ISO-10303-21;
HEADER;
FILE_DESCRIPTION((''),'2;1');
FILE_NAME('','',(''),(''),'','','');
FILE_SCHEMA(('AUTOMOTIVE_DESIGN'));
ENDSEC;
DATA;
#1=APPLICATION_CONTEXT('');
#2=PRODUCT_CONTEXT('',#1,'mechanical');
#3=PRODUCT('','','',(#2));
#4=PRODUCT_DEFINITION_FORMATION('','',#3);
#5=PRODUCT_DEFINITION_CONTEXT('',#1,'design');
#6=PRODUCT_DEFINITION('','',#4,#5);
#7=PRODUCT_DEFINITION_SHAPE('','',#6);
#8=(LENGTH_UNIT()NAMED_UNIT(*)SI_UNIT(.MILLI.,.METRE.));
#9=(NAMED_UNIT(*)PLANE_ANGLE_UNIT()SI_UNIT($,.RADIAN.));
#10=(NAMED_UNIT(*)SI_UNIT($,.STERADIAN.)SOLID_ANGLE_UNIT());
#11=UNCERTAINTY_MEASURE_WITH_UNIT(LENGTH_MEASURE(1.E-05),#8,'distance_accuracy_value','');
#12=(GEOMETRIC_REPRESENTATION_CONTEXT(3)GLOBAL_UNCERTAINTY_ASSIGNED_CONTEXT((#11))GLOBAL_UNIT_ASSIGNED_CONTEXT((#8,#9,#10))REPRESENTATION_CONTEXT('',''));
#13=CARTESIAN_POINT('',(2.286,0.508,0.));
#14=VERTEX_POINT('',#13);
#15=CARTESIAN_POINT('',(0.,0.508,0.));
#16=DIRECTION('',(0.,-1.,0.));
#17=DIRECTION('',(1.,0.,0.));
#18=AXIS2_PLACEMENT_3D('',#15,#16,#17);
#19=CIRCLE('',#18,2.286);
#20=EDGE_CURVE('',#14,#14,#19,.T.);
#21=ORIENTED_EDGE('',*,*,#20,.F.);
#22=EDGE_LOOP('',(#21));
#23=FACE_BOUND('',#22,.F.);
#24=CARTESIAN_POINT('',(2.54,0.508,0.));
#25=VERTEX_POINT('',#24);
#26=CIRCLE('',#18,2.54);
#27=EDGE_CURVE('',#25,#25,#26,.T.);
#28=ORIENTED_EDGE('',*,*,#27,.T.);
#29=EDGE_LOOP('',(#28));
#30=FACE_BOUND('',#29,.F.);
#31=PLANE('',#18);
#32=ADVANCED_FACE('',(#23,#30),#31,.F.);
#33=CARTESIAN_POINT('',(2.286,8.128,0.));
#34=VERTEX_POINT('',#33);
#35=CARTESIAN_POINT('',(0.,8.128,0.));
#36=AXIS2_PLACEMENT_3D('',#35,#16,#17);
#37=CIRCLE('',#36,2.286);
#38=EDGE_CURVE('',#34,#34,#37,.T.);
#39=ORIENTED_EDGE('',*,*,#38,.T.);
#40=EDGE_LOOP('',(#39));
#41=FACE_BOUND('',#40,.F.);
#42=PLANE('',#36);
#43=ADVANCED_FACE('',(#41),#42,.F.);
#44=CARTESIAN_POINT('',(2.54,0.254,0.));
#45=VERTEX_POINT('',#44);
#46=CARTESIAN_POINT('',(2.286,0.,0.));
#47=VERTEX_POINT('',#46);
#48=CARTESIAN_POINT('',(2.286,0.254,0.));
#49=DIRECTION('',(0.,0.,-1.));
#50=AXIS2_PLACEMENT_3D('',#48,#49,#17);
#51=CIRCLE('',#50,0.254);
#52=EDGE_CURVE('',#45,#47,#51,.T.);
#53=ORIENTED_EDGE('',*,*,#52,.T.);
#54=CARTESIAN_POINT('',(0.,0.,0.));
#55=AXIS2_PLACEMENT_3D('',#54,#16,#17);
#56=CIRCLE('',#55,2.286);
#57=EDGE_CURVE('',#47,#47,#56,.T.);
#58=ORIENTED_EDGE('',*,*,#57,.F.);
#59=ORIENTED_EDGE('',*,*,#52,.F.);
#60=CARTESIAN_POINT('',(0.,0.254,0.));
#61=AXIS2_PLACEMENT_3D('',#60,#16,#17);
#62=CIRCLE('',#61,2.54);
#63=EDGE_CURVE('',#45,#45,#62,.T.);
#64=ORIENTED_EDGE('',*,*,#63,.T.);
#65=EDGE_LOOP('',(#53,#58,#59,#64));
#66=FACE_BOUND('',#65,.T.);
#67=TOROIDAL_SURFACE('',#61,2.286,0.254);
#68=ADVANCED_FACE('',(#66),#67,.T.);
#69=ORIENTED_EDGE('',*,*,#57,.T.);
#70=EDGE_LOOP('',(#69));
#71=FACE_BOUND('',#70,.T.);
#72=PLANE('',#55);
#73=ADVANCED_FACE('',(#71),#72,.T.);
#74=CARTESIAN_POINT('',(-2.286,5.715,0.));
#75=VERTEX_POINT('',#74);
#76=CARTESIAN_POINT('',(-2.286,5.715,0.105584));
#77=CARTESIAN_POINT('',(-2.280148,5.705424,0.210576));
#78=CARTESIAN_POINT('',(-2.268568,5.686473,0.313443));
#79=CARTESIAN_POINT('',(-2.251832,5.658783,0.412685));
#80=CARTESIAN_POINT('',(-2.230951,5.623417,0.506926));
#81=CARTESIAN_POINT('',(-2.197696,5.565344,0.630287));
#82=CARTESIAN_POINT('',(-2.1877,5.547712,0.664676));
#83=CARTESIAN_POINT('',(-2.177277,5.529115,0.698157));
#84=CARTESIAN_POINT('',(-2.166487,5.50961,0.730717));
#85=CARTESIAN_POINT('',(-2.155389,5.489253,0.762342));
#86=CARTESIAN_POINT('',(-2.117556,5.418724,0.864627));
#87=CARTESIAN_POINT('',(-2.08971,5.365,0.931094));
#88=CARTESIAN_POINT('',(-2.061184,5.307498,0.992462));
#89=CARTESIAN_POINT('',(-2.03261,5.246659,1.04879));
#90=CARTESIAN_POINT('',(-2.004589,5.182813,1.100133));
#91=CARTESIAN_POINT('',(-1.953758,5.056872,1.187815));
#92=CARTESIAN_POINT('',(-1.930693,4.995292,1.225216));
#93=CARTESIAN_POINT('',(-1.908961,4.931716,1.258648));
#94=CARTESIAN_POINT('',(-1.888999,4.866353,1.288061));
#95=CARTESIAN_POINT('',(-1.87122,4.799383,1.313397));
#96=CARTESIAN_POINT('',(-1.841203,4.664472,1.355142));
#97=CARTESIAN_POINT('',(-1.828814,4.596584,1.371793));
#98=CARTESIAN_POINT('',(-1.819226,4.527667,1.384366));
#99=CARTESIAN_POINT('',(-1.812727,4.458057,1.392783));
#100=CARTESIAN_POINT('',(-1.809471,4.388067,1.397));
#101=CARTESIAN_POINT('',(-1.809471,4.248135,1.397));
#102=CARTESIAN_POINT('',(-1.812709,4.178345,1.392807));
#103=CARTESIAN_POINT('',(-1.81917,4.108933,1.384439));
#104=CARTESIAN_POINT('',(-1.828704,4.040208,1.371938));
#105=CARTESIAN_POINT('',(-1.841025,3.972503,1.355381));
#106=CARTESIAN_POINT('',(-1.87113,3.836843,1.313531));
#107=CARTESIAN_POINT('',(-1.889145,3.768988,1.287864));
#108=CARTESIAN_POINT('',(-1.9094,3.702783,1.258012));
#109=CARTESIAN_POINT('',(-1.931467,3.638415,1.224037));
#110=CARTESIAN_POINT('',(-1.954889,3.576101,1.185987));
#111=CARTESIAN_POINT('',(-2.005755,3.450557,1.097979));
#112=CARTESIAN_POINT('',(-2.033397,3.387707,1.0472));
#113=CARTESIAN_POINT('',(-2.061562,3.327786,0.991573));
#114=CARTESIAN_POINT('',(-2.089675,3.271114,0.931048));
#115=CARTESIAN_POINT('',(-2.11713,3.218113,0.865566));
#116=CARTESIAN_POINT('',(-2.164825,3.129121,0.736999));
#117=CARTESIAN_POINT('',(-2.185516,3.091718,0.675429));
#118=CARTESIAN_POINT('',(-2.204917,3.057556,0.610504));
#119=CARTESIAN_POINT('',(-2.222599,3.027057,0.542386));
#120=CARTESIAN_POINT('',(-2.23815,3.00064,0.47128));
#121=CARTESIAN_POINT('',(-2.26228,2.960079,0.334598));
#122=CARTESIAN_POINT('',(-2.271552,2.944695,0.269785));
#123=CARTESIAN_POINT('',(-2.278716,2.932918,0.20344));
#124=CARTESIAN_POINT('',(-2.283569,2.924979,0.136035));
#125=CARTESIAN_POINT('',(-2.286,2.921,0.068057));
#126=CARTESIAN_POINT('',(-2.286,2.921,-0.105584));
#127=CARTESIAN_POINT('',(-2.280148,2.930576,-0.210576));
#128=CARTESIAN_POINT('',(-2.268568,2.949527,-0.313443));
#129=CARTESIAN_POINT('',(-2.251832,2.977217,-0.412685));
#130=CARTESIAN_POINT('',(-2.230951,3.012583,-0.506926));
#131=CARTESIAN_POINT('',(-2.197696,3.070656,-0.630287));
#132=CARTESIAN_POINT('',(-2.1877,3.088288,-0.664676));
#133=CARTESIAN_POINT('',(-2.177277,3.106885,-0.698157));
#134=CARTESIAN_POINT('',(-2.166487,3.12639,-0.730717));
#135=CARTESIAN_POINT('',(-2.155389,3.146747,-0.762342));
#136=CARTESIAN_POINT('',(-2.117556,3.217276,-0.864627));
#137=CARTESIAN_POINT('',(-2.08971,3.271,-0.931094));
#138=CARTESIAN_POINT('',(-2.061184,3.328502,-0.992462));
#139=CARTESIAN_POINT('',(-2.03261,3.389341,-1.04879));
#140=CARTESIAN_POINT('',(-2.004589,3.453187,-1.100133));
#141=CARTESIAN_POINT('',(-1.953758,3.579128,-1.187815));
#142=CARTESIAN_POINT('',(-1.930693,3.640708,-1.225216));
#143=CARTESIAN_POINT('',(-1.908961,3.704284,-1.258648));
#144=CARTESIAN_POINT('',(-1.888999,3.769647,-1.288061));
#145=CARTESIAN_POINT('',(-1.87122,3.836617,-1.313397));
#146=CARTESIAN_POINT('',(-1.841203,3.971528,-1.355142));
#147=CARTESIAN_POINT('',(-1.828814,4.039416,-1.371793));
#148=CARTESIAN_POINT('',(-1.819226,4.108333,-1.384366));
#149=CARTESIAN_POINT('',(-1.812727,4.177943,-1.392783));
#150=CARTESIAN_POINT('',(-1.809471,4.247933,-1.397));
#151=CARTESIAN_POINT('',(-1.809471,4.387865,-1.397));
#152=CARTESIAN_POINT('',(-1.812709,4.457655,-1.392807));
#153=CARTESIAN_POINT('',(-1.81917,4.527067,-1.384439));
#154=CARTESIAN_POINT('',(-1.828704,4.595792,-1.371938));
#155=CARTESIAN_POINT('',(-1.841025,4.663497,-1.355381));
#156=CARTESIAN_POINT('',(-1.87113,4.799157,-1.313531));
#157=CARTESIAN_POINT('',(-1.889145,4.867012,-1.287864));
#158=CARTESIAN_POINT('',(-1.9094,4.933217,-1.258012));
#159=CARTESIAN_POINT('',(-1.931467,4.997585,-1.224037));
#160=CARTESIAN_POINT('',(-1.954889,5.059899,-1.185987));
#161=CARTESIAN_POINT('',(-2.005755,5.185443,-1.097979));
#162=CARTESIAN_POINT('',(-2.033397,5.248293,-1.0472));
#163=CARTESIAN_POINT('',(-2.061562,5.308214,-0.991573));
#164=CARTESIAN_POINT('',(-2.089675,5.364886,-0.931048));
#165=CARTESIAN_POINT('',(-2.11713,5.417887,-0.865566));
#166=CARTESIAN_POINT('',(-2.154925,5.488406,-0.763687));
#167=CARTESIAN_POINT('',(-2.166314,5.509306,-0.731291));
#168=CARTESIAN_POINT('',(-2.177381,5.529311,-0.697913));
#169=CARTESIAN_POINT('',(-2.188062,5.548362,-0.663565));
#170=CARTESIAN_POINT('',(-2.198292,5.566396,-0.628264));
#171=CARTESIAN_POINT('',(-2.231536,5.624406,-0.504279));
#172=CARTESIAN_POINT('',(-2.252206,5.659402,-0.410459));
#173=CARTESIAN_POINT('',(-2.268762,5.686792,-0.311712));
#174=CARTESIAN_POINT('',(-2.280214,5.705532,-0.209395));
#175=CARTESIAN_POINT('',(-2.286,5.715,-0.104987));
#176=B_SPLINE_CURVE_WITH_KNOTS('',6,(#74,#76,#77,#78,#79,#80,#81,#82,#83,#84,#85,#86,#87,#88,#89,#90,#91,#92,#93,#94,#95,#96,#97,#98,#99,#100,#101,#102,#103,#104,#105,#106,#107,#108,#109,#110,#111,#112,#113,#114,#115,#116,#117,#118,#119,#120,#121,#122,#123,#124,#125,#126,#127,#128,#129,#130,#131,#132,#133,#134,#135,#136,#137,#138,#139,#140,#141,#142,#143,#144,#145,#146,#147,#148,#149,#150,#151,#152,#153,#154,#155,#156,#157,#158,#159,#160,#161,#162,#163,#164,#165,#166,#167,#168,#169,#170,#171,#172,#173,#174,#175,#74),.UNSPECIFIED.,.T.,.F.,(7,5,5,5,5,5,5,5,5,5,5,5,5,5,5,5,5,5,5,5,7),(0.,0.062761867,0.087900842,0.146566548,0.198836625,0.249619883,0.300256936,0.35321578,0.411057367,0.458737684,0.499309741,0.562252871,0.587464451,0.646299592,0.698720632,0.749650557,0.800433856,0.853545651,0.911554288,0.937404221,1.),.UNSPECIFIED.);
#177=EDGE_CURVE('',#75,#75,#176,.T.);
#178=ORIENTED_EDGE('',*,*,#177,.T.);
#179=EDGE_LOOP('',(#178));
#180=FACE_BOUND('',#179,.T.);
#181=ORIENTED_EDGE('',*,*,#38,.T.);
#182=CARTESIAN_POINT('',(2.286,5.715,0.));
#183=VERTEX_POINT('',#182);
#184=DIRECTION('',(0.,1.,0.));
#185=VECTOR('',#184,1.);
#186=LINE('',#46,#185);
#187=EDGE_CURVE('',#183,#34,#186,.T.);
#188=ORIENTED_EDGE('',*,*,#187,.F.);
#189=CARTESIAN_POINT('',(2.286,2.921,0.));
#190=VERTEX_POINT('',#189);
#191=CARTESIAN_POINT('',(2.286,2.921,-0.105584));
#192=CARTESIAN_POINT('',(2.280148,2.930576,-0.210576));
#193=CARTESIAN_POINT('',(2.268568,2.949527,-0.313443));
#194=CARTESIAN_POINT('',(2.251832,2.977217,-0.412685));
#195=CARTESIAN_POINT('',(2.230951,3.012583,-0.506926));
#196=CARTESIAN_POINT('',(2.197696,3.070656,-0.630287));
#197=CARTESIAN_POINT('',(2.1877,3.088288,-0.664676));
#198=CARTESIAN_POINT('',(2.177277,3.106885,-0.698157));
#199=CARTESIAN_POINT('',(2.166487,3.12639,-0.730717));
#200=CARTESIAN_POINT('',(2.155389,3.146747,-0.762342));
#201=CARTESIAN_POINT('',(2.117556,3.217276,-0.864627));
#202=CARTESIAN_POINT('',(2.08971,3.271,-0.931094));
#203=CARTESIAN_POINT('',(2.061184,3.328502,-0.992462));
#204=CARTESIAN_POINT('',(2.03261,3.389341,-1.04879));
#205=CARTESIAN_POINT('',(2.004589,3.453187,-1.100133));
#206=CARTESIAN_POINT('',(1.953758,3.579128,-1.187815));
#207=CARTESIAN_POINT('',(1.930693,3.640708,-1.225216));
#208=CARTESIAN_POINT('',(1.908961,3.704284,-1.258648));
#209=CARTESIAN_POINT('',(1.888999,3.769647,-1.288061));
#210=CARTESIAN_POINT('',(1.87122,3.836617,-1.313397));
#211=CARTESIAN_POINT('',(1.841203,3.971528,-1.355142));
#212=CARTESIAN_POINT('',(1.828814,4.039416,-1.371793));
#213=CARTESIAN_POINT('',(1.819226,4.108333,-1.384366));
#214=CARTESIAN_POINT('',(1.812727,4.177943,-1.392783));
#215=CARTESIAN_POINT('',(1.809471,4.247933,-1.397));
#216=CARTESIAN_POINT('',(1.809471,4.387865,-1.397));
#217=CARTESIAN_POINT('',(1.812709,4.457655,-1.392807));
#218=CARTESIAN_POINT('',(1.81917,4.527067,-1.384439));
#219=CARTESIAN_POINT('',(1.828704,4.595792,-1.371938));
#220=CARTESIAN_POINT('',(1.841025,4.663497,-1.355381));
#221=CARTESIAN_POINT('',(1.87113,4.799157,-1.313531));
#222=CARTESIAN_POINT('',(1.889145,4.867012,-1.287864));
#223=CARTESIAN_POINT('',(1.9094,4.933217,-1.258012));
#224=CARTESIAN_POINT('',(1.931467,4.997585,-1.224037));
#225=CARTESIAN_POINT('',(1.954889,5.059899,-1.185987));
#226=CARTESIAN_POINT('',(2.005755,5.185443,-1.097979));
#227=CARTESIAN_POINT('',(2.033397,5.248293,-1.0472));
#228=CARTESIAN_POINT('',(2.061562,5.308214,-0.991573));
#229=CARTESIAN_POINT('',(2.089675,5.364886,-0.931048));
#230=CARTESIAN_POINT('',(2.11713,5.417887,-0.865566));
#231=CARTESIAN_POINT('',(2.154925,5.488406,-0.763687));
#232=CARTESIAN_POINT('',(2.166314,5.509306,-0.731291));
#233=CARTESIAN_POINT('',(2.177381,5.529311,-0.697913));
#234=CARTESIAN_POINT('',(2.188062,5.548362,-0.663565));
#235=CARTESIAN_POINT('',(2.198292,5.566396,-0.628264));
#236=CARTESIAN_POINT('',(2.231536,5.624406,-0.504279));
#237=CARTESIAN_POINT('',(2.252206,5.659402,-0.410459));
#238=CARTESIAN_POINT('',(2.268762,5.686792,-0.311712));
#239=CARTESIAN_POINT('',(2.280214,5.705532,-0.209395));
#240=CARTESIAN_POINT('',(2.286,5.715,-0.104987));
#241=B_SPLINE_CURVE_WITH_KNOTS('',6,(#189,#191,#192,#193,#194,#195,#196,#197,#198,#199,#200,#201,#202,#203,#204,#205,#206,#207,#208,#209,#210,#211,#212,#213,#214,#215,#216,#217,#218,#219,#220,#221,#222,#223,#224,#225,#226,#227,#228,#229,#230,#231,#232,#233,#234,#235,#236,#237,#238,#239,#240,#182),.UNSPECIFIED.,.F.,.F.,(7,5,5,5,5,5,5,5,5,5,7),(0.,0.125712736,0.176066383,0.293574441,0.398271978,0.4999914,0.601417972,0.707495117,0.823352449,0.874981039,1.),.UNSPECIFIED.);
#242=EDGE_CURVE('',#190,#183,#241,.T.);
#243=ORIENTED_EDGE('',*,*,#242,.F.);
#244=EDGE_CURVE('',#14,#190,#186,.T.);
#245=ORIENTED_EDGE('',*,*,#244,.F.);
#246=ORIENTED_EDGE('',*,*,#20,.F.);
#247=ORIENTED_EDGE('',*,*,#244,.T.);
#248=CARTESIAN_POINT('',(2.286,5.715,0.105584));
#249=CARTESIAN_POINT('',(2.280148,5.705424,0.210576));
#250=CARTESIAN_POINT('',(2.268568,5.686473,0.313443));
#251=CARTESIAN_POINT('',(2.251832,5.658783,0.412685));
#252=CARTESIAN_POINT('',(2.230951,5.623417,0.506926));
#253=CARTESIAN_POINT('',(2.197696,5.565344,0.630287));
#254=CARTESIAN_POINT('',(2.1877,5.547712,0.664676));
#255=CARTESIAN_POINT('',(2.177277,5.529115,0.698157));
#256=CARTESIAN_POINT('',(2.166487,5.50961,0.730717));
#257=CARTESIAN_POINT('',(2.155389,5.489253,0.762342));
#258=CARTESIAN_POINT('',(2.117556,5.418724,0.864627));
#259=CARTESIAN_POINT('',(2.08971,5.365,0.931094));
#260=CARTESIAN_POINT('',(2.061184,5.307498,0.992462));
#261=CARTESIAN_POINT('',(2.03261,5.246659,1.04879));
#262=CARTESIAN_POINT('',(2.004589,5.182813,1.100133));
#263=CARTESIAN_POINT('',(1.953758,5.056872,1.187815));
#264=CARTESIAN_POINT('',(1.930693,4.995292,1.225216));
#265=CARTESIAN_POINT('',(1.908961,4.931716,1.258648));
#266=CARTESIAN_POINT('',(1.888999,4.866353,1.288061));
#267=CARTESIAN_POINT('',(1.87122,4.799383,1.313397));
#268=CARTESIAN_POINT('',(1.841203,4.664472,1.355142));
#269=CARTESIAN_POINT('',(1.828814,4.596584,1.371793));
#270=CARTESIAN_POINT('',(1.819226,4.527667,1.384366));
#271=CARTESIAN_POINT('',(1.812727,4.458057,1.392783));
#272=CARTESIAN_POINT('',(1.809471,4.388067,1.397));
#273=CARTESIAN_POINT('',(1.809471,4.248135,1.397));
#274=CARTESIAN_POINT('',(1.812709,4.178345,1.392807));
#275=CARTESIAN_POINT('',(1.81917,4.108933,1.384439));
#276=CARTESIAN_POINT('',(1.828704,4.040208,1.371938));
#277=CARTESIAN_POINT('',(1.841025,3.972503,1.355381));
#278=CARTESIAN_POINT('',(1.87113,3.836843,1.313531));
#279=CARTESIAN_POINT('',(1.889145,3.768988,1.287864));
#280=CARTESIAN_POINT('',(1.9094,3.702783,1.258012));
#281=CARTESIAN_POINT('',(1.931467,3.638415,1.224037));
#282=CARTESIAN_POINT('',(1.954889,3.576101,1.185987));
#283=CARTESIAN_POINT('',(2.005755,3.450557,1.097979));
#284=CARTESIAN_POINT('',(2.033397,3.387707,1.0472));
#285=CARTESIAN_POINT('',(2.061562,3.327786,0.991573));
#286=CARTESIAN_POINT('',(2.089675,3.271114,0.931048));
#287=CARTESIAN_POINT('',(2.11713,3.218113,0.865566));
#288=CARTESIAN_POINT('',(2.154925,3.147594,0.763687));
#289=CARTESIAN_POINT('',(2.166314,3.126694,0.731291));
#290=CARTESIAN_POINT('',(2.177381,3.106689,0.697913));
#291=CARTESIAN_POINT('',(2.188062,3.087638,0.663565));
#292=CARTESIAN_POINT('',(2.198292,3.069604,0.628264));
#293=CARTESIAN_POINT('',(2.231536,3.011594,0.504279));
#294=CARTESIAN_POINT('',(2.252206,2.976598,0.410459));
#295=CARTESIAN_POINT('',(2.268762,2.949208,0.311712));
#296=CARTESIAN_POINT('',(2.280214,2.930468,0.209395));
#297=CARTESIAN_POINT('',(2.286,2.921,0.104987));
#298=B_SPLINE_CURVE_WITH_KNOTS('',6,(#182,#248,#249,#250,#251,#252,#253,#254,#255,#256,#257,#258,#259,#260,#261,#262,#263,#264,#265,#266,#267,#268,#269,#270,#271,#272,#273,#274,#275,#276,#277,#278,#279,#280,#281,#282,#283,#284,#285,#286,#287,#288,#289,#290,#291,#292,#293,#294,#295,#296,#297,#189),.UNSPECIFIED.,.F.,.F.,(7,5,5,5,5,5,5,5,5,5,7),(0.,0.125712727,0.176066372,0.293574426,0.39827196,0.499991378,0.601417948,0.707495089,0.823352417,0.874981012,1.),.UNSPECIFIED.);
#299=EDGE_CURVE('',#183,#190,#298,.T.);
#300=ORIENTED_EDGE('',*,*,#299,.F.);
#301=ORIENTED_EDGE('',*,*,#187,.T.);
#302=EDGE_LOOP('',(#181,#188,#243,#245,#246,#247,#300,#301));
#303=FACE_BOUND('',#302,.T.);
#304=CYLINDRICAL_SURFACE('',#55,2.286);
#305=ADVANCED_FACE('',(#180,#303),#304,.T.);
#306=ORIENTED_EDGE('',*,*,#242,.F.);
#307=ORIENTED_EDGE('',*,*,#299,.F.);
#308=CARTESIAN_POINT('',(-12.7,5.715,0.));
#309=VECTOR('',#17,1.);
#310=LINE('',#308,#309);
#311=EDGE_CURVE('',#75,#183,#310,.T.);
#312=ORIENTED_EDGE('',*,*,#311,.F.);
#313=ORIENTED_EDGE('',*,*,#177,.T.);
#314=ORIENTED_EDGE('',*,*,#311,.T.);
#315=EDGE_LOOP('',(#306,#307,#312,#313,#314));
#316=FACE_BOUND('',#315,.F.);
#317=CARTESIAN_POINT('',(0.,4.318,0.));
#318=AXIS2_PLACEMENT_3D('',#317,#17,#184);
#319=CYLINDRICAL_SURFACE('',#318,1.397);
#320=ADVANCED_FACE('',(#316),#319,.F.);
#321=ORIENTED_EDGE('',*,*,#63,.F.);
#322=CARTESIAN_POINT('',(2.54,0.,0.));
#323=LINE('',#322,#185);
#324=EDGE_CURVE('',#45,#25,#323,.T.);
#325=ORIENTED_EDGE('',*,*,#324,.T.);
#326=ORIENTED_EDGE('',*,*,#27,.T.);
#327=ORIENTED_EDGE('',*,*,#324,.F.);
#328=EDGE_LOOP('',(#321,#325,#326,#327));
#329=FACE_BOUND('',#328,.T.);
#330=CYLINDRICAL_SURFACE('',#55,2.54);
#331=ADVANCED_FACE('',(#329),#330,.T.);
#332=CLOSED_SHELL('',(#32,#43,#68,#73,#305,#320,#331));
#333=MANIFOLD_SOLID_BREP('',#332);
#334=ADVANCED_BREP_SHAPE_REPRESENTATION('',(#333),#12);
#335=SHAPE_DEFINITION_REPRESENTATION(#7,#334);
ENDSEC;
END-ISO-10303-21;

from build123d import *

# Parameters (mm, degrees)
F0_R     = 2.286
F1_DEPTH = 8.128
F0_R_2   = 2.54
F2_DEPTH = 0.508
F3_R     = 1.397
F4_DEPTH = 12.7
F5_R     = 0.254


with BuildPart() as f1:
    # F0 (on Front) → F1 (new body)
    with BuildSketch(Plane.XZ):
        Circle(F0_R)
    extrude(amount=-F1_DEPTH)

    # F0 (on Front) → F2 (join)
    with BuildSketch(Plane.XZ):
        Circle(F0_R_2)
        Circle(F0_R, mode=Mode.SUBTRACT)
    extrude(amount=-F2_DEPTH)

    # F3 (on Right) → F4 (cut, symmetric)
    with BuildSketch(Plane.YZ):
        with Locations((4.318, 0)):
            Circle(F3_R)
    extrude(amount=F4_DEPTH, both=True, mode=Mode.SUBTRACT)

    # F5
    f5_edges = [f1.edges().sort_by_distance(p)[0] for p in [
        (-2.54, 0, 0),
    ]]
    fillet(f5_edges, radius=F5_R)


solid = f1.part
